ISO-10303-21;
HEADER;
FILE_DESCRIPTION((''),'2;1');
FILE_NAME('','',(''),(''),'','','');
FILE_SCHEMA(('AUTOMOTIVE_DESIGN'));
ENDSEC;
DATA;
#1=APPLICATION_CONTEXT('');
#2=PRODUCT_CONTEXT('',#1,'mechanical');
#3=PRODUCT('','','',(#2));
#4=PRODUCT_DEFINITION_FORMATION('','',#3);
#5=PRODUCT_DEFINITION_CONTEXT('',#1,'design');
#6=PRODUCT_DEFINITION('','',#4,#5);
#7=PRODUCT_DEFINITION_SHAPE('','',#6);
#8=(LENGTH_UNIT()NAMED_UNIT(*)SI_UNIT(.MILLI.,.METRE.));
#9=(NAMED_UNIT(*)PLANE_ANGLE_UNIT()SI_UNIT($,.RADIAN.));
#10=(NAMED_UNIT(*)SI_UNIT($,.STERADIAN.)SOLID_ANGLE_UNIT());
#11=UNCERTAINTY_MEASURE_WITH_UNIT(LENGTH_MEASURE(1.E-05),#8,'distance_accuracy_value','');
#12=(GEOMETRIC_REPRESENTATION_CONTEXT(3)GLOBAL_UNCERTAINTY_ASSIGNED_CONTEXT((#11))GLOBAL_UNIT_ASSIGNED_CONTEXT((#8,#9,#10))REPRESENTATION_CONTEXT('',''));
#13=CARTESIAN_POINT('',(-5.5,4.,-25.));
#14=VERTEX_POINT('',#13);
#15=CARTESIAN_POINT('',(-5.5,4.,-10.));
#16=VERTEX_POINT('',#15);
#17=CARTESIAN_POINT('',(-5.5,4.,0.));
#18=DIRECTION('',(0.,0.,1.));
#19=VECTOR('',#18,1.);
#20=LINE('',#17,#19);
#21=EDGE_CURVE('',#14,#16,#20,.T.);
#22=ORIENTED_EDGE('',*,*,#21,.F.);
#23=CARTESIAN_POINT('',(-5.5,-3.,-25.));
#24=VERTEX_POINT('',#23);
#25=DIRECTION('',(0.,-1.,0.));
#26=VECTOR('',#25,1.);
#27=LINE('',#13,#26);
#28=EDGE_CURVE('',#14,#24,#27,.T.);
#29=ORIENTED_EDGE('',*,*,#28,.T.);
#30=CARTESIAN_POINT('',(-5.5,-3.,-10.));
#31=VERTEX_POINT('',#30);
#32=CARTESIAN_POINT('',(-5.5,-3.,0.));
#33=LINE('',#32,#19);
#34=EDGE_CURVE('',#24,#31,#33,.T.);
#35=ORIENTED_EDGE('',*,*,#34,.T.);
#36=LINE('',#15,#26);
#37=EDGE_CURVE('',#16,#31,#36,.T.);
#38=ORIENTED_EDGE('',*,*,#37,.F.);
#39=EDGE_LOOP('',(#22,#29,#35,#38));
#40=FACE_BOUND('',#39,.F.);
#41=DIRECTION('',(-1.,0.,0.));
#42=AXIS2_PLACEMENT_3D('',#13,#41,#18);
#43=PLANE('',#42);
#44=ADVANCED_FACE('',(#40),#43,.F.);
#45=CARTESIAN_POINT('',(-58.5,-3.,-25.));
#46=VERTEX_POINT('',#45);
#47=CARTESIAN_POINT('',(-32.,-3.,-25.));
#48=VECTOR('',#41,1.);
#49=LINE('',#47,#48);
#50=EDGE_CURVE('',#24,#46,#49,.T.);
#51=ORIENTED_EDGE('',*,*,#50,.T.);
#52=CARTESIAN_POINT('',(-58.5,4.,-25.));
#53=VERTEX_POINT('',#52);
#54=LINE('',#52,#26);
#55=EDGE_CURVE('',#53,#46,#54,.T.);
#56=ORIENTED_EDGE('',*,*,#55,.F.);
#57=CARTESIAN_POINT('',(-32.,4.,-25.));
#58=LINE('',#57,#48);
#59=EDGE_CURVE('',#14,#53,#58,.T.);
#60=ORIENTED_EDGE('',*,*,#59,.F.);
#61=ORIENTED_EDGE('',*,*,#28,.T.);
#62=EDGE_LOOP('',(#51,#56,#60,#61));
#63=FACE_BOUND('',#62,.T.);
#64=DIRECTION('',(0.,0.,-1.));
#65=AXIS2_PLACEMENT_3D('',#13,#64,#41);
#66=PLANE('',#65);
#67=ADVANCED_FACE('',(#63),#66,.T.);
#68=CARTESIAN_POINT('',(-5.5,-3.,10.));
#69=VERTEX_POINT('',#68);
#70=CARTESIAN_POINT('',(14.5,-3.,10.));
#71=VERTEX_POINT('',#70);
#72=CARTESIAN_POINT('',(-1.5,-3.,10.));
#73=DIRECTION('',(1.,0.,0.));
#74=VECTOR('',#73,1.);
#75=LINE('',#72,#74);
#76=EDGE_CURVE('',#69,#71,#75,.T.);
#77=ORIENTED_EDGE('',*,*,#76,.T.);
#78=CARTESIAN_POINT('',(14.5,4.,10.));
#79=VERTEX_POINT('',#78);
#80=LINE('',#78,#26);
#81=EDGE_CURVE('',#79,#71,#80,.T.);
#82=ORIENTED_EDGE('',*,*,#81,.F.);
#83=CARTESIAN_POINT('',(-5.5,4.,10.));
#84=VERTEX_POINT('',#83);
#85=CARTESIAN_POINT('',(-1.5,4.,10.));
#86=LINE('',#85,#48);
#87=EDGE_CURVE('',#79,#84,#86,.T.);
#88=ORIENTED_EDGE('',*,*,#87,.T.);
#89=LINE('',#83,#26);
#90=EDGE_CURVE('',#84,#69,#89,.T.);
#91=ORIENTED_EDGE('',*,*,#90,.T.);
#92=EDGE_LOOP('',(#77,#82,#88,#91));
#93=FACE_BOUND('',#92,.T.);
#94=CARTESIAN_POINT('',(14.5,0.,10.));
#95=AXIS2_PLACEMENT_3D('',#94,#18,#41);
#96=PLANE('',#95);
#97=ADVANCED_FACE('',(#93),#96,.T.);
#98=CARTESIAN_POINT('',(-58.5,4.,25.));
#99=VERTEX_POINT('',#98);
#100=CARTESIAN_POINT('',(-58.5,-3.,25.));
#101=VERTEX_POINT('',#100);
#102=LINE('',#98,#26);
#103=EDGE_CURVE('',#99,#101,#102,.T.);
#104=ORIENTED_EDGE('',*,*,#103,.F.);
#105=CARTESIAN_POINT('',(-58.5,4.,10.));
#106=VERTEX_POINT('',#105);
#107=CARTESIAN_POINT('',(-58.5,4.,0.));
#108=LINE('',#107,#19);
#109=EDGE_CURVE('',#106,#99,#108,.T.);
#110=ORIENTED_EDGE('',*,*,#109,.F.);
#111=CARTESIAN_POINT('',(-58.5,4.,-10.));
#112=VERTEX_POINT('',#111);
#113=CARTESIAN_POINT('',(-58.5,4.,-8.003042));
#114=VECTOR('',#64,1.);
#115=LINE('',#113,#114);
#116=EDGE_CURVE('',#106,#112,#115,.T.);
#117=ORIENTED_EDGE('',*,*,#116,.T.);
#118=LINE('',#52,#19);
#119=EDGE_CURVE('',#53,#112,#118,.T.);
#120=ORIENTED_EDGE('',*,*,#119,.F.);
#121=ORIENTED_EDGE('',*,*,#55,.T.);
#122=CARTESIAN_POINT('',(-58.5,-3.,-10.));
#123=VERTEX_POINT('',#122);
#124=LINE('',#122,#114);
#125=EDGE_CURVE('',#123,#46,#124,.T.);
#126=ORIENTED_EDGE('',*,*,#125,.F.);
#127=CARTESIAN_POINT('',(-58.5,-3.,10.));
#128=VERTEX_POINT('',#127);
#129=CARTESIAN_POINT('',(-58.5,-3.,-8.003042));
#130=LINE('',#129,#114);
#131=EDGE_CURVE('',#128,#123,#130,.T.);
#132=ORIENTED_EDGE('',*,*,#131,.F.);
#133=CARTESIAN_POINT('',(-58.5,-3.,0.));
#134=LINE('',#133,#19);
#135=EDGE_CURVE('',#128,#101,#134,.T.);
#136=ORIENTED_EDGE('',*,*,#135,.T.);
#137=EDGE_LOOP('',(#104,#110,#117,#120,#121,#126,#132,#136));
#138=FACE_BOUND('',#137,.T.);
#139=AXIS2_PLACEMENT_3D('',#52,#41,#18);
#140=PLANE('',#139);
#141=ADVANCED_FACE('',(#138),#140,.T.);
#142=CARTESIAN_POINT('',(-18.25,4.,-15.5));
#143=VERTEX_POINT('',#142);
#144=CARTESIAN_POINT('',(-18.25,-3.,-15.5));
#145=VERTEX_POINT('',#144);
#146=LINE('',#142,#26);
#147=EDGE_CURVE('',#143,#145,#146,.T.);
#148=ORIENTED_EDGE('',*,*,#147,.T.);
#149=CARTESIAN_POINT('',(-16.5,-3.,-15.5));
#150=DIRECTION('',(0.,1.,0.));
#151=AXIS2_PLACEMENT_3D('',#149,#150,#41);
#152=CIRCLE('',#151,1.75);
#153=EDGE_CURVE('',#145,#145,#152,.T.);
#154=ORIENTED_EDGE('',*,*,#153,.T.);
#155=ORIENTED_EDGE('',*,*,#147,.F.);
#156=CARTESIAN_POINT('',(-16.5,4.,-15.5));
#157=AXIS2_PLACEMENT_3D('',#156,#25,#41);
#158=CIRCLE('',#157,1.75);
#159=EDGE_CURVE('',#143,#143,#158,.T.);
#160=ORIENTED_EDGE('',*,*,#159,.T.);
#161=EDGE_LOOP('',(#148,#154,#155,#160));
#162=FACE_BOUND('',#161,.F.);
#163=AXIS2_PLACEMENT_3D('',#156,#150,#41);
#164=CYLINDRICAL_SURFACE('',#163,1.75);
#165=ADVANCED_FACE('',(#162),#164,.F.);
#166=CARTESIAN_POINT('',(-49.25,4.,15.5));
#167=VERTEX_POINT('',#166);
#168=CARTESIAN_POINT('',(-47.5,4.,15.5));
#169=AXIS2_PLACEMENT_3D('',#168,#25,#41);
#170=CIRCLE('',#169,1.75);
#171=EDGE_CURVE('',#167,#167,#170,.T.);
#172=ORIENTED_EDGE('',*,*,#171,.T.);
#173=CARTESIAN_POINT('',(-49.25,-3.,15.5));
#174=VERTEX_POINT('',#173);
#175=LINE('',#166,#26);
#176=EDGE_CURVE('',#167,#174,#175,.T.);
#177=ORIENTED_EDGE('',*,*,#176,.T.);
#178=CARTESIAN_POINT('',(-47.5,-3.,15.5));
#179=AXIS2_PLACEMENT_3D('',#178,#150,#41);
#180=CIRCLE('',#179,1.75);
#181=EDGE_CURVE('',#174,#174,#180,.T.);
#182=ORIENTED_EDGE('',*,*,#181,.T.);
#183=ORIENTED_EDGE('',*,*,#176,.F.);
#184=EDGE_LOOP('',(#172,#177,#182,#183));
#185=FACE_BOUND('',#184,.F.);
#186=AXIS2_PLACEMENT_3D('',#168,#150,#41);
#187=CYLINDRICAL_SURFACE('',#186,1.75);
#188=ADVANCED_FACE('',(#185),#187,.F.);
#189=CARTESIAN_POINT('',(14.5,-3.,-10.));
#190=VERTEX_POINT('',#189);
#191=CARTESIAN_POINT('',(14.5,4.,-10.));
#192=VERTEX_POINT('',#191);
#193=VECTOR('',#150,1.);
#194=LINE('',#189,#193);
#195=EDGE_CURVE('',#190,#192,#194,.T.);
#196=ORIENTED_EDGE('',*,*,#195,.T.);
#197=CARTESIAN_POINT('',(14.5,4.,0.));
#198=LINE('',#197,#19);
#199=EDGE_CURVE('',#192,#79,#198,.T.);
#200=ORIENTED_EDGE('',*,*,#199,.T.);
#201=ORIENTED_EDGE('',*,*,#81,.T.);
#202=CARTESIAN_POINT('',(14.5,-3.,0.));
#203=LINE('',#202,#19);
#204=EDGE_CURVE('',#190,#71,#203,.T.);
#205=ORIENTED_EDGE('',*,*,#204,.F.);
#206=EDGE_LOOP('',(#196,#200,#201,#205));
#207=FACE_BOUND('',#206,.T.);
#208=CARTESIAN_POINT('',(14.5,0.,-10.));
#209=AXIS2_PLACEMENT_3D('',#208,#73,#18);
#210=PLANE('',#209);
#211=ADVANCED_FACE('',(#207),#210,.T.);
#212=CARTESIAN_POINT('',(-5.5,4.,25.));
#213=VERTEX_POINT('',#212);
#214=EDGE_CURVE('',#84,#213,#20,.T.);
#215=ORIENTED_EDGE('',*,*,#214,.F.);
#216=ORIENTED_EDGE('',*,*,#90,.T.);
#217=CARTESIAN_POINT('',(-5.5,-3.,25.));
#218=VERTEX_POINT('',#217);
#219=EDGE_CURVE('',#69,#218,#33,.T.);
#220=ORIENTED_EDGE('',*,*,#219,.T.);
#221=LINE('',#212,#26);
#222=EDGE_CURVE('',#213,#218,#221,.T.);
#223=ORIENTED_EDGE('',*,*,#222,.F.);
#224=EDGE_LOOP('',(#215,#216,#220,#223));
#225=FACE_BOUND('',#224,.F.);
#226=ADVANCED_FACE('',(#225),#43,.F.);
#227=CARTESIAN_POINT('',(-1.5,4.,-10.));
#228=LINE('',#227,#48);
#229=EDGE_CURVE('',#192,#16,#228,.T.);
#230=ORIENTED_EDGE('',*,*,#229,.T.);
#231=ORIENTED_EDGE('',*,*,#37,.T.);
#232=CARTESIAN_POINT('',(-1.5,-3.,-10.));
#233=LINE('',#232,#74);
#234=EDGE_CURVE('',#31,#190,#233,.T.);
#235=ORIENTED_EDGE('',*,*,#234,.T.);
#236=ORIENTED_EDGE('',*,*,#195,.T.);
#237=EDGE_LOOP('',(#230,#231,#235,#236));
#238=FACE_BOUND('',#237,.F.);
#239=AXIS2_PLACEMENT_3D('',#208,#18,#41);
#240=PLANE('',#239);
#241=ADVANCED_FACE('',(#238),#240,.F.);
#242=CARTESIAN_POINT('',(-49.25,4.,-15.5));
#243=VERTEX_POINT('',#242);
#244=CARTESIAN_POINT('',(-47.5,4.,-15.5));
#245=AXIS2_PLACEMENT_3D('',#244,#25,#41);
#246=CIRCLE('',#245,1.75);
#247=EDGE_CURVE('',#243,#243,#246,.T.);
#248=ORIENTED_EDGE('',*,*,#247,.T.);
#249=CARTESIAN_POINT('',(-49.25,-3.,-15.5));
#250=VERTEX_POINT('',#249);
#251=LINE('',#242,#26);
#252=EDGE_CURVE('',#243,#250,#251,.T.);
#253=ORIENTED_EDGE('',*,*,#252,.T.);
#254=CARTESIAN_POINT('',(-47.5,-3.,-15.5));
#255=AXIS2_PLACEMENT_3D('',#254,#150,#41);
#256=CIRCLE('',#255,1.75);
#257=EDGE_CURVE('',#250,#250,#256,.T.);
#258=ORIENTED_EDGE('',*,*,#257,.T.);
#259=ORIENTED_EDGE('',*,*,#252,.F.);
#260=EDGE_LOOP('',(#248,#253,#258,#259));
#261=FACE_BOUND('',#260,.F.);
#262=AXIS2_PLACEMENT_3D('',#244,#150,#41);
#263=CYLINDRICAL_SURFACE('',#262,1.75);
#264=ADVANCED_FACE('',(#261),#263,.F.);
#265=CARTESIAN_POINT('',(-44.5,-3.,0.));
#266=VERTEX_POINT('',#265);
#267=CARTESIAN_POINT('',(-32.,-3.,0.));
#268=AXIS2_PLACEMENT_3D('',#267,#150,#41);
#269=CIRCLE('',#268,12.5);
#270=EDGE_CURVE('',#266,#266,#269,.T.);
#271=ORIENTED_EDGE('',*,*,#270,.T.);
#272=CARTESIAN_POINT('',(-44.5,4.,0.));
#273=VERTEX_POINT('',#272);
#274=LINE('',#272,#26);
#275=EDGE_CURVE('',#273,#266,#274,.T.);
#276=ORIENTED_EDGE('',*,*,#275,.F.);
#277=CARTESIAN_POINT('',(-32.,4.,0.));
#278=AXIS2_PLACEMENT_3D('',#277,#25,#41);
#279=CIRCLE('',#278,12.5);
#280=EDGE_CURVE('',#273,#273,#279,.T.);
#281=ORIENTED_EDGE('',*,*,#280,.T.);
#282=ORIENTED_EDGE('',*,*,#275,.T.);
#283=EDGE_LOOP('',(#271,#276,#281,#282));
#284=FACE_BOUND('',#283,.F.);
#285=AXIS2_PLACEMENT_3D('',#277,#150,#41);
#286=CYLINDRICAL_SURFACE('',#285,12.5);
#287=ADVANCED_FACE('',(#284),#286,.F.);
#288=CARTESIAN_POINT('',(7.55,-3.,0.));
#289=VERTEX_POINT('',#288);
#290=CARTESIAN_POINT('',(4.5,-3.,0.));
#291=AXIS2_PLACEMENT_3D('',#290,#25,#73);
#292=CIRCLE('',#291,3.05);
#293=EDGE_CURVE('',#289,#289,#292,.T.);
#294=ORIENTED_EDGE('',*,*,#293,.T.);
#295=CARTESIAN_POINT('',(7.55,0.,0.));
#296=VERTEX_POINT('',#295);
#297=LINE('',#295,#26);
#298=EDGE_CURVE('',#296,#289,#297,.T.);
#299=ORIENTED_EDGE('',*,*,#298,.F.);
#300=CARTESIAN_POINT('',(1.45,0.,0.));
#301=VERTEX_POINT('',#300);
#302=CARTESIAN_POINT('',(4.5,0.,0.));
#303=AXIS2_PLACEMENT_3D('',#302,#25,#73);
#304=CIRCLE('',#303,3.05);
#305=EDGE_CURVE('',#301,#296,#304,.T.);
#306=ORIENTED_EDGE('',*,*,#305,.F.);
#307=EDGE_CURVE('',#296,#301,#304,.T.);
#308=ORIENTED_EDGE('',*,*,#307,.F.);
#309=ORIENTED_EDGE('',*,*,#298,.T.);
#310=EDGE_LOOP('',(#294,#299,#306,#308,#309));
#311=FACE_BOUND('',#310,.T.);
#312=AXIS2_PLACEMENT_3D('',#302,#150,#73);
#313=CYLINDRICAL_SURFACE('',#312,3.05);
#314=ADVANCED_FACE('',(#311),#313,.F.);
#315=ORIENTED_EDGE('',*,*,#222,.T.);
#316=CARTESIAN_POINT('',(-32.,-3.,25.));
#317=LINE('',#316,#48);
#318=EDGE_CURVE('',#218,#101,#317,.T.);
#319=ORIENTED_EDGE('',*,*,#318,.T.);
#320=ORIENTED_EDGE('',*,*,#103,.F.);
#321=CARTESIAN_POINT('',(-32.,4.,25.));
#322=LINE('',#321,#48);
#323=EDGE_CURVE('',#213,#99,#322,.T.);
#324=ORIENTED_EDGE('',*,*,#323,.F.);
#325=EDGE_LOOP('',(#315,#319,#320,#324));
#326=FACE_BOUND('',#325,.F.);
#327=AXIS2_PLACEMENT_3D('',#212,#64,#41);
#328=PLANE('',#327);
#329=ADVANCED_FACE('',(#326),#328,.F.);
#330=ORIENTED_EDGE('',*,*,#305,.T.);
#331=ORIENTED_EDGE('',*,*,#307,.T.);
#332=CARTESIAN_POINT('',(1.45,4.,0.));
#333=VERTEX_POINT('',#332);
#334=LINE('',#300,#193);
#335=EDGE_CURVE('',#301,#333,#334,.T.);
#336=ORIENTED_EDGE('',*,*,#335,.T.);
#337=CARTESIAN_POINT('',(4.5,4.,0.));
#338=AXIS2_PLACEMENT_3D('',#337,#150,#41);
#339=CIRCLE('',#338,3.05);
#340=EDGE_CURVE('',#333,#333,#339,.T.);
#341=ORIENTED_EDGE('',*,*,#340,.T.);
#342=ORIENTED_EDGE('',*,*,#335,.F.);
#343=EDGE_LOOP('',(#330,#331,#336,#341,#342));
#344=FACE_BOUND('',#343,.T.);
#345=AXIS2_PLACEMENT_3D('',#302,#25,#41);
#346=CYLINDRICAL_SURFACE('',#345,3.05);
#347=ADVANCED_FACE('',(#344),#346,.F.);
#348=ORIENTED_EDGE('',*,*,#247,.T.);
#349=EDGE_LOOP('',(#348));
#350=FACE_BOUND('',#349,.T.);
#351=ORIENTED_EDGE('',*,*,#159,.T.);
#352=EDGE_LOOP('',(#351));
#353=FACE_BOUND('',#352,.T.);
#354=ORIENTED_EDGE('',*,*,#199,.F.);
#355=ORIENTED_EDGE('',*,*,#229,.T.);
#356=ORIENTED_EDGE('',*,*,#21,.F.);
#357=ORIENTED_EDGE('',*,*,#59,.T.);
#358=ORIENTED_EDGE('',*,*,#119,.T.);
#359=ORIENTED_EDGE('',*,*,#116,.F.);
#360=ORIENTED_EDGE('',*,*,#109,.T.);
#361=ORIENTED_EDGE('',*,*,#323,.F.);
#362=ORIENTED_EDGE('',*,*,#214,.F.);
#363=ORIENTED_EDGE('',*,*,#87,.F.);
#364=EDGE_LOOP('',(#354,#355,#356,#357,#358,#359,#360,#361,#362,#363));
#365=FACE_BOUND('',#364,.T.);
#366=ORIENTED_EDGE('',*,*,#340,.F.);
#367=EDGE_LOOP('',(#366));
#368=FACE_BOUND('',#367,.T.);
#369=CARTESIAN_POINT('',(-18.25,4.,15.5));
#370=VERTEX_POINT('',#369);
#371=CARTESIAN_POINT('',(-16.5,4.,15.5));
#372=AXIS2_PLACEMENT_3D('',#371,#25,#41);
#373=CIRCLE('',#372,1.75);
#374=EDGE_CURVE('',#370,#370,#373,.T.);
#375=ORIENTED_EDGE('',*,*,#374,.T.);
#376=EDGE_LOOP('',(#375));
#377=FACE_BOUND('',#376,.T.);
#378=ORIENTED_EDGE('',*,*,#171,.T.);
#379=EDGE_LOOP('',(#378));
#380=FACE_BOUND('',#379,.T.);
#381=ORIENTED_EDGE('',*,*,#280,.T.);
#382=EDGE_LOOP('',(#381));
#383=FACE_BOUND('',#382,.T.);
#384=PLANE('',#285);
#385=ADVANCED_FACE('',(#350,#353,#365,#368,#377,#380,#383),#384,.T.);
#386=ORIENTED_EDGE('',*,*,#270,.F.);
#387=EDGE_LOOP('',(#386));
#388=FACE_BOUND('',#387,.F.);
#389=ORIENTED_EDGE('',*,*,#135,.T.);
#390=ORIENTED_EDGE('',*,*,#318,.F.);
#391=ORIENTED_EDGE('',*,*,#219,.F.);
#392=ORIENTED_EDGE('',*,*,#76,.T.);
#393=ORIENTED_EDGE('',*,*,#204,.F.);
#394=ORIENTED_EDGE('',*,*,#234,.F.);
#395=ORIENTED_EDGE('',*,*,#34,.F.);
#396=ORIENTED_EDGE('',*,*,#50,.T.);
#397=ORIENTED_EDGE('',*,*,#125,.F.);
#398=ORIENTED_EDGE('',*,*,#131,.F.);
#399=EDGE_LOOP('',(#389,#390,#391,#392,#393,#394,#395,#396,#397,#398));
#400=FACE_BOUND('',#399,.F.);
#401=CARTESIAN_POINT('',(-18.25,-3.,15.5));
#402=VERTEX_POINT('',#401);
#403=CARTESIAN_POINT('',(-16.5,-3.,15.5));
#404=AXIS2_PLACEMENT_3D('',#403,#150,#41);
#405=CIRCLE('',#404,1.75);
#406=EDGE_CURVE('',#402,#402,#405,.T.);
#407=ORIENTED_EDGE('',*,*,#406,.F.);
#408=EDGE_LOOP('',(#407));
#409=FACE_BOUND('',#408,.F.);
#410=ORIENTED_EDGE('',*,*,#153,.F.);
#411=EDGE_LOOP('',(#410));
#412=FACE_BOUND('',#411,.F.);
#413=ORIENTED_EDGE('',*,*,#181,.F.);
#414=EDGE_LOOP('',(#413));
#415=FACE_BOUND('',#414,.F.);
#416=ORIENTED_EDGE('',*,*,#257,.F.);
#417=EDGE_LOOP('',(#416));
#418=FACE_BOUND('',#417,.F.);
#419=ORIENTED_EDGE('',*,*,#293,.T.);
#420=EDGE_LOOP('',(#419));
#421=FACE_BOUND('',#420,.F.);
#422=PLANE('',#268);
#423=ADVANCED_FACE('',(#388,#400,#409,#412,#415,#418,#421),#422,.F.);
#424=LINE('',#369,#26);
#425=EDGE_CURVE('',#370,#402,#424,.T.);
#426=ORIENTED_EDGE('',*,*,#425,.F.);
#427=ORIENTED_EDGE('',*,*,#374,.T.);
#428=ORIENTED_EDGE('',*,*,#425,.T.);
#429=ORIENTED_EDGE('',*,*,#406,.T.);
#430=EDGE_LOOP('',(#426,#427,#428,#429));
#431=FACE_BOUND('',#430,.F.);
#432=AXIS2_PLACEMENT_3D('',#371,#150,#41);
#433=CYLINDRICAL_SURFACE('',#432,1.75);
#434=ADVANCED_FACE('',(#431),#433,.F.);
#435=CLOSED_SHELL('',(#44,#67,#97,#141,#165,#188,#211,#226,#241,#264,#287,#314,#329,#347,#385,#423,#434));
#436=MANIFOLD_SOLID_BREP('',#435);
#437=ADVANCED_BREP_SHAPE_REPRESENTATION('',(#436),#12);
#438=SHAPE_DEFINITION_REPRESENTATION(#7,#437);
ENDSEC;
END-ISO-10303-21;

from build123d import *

# Parameters (mm, degrees)
F0_W      = 32
F0_H      = 20
F0_R      = 3.05
F1_DEPTH  = 3
F2_W      = 32
F2_H      = 20
F2_R      = 3.05
F3_DEPTH  = 4
F5_W      = 12
F5_H      = 20
F6_DEPTH  = 7.001
F4_W      = 53
F4_H      = 50
F4_R      = 1.75
F4_R_2    = 12.5
F7_DEPTH  = 7
F10_W     = 38.6691533923
F10_H     = 26.006084159
F11_DEPTH = 12.5


with BuildPart() as f1:
    # F0 (on Front) → F1 (new body)
    with BuildSketch(Plane.XZ):
        with Locations((-1.5, 0)):
            Rectangle(F0_W, F0_H)
        with Locations((4.5, 0)):
            Circle(F0_R, mode=Mode.SUBTRACT)
    extrude(amount=F1_DEPTH)

    # F2 (on face) → F3 (join)
    with BuildSketch(Plane(origin=(0, 0, 0), x_dir=(-1, 0, 0), z_dir=(0, 1, 0))):
        with Locations((1.5, 0)):
            Rectangle(F2_W, F2_H)
        with Locations((-4.5, 0)):
            Circle(F2_R, mode=Mode.SUBTRACT)
    extrude(amount=F3_DEPTH)

    # F5 (on face) → F6 (cut, through all)
    with BuildSketch(Plane(origin=(0, 4, 0), x_dir=(-1, 0, 0), z_dir=(0, 1, 0))):
        with Locations((11.5, 0)):
            Rectangle(F5_W, F5_H)
    extrude(amount=-F6_DEPTH, mode=Mode.SUBTRACT)

    # F4 (on face) → F7 (join)
    with BuildSketch(Plane(origin=(0, 4, 0), x_dir=(-1, 0, 0), z_dir=(0, 1, 0))):
        with Locations((32, 0)):
            Rectangle(F4_W, F4_H)
        with Locations((16.5, -15.5)):
            Circle(F4_R, mode=Mode.SUBTRACT)
        with Locations((47.5, -15.5)):
            Circle(F4_R, mode=Mode.SUBTRACT)
        with Locations((16.5, 15.5)):
            Circle(F4_R, mode=Mode.SUBTRACT)
        with Locations((32, 0)):
            Circle(F4_R_2, mode=Mode.SUBTRACT)
        with Locations((47.5, 15.5)):
            Circle(F4_R, mode=Mode.SUBTRACT)
    extrude(amount=-F7_DEPTH)

    # F9: F1 across plane


with BuildPart() as f1_1:
    add(f1.part)
    add(f1.part.mirror(Plane.YZ.offset(-32)))

    # F10 (on Front) → F11 (cut, symmetric)
    with BuildSketch(Plane.XZ):
        with Locations((-77.8345766962, -3.0030420795)):
            Rectangle(F10_W, F10_H)
    extrude(amount=F11_DEPTH, both=True, mode=Mode.SUBTRACT)


solid = f1_1.part
